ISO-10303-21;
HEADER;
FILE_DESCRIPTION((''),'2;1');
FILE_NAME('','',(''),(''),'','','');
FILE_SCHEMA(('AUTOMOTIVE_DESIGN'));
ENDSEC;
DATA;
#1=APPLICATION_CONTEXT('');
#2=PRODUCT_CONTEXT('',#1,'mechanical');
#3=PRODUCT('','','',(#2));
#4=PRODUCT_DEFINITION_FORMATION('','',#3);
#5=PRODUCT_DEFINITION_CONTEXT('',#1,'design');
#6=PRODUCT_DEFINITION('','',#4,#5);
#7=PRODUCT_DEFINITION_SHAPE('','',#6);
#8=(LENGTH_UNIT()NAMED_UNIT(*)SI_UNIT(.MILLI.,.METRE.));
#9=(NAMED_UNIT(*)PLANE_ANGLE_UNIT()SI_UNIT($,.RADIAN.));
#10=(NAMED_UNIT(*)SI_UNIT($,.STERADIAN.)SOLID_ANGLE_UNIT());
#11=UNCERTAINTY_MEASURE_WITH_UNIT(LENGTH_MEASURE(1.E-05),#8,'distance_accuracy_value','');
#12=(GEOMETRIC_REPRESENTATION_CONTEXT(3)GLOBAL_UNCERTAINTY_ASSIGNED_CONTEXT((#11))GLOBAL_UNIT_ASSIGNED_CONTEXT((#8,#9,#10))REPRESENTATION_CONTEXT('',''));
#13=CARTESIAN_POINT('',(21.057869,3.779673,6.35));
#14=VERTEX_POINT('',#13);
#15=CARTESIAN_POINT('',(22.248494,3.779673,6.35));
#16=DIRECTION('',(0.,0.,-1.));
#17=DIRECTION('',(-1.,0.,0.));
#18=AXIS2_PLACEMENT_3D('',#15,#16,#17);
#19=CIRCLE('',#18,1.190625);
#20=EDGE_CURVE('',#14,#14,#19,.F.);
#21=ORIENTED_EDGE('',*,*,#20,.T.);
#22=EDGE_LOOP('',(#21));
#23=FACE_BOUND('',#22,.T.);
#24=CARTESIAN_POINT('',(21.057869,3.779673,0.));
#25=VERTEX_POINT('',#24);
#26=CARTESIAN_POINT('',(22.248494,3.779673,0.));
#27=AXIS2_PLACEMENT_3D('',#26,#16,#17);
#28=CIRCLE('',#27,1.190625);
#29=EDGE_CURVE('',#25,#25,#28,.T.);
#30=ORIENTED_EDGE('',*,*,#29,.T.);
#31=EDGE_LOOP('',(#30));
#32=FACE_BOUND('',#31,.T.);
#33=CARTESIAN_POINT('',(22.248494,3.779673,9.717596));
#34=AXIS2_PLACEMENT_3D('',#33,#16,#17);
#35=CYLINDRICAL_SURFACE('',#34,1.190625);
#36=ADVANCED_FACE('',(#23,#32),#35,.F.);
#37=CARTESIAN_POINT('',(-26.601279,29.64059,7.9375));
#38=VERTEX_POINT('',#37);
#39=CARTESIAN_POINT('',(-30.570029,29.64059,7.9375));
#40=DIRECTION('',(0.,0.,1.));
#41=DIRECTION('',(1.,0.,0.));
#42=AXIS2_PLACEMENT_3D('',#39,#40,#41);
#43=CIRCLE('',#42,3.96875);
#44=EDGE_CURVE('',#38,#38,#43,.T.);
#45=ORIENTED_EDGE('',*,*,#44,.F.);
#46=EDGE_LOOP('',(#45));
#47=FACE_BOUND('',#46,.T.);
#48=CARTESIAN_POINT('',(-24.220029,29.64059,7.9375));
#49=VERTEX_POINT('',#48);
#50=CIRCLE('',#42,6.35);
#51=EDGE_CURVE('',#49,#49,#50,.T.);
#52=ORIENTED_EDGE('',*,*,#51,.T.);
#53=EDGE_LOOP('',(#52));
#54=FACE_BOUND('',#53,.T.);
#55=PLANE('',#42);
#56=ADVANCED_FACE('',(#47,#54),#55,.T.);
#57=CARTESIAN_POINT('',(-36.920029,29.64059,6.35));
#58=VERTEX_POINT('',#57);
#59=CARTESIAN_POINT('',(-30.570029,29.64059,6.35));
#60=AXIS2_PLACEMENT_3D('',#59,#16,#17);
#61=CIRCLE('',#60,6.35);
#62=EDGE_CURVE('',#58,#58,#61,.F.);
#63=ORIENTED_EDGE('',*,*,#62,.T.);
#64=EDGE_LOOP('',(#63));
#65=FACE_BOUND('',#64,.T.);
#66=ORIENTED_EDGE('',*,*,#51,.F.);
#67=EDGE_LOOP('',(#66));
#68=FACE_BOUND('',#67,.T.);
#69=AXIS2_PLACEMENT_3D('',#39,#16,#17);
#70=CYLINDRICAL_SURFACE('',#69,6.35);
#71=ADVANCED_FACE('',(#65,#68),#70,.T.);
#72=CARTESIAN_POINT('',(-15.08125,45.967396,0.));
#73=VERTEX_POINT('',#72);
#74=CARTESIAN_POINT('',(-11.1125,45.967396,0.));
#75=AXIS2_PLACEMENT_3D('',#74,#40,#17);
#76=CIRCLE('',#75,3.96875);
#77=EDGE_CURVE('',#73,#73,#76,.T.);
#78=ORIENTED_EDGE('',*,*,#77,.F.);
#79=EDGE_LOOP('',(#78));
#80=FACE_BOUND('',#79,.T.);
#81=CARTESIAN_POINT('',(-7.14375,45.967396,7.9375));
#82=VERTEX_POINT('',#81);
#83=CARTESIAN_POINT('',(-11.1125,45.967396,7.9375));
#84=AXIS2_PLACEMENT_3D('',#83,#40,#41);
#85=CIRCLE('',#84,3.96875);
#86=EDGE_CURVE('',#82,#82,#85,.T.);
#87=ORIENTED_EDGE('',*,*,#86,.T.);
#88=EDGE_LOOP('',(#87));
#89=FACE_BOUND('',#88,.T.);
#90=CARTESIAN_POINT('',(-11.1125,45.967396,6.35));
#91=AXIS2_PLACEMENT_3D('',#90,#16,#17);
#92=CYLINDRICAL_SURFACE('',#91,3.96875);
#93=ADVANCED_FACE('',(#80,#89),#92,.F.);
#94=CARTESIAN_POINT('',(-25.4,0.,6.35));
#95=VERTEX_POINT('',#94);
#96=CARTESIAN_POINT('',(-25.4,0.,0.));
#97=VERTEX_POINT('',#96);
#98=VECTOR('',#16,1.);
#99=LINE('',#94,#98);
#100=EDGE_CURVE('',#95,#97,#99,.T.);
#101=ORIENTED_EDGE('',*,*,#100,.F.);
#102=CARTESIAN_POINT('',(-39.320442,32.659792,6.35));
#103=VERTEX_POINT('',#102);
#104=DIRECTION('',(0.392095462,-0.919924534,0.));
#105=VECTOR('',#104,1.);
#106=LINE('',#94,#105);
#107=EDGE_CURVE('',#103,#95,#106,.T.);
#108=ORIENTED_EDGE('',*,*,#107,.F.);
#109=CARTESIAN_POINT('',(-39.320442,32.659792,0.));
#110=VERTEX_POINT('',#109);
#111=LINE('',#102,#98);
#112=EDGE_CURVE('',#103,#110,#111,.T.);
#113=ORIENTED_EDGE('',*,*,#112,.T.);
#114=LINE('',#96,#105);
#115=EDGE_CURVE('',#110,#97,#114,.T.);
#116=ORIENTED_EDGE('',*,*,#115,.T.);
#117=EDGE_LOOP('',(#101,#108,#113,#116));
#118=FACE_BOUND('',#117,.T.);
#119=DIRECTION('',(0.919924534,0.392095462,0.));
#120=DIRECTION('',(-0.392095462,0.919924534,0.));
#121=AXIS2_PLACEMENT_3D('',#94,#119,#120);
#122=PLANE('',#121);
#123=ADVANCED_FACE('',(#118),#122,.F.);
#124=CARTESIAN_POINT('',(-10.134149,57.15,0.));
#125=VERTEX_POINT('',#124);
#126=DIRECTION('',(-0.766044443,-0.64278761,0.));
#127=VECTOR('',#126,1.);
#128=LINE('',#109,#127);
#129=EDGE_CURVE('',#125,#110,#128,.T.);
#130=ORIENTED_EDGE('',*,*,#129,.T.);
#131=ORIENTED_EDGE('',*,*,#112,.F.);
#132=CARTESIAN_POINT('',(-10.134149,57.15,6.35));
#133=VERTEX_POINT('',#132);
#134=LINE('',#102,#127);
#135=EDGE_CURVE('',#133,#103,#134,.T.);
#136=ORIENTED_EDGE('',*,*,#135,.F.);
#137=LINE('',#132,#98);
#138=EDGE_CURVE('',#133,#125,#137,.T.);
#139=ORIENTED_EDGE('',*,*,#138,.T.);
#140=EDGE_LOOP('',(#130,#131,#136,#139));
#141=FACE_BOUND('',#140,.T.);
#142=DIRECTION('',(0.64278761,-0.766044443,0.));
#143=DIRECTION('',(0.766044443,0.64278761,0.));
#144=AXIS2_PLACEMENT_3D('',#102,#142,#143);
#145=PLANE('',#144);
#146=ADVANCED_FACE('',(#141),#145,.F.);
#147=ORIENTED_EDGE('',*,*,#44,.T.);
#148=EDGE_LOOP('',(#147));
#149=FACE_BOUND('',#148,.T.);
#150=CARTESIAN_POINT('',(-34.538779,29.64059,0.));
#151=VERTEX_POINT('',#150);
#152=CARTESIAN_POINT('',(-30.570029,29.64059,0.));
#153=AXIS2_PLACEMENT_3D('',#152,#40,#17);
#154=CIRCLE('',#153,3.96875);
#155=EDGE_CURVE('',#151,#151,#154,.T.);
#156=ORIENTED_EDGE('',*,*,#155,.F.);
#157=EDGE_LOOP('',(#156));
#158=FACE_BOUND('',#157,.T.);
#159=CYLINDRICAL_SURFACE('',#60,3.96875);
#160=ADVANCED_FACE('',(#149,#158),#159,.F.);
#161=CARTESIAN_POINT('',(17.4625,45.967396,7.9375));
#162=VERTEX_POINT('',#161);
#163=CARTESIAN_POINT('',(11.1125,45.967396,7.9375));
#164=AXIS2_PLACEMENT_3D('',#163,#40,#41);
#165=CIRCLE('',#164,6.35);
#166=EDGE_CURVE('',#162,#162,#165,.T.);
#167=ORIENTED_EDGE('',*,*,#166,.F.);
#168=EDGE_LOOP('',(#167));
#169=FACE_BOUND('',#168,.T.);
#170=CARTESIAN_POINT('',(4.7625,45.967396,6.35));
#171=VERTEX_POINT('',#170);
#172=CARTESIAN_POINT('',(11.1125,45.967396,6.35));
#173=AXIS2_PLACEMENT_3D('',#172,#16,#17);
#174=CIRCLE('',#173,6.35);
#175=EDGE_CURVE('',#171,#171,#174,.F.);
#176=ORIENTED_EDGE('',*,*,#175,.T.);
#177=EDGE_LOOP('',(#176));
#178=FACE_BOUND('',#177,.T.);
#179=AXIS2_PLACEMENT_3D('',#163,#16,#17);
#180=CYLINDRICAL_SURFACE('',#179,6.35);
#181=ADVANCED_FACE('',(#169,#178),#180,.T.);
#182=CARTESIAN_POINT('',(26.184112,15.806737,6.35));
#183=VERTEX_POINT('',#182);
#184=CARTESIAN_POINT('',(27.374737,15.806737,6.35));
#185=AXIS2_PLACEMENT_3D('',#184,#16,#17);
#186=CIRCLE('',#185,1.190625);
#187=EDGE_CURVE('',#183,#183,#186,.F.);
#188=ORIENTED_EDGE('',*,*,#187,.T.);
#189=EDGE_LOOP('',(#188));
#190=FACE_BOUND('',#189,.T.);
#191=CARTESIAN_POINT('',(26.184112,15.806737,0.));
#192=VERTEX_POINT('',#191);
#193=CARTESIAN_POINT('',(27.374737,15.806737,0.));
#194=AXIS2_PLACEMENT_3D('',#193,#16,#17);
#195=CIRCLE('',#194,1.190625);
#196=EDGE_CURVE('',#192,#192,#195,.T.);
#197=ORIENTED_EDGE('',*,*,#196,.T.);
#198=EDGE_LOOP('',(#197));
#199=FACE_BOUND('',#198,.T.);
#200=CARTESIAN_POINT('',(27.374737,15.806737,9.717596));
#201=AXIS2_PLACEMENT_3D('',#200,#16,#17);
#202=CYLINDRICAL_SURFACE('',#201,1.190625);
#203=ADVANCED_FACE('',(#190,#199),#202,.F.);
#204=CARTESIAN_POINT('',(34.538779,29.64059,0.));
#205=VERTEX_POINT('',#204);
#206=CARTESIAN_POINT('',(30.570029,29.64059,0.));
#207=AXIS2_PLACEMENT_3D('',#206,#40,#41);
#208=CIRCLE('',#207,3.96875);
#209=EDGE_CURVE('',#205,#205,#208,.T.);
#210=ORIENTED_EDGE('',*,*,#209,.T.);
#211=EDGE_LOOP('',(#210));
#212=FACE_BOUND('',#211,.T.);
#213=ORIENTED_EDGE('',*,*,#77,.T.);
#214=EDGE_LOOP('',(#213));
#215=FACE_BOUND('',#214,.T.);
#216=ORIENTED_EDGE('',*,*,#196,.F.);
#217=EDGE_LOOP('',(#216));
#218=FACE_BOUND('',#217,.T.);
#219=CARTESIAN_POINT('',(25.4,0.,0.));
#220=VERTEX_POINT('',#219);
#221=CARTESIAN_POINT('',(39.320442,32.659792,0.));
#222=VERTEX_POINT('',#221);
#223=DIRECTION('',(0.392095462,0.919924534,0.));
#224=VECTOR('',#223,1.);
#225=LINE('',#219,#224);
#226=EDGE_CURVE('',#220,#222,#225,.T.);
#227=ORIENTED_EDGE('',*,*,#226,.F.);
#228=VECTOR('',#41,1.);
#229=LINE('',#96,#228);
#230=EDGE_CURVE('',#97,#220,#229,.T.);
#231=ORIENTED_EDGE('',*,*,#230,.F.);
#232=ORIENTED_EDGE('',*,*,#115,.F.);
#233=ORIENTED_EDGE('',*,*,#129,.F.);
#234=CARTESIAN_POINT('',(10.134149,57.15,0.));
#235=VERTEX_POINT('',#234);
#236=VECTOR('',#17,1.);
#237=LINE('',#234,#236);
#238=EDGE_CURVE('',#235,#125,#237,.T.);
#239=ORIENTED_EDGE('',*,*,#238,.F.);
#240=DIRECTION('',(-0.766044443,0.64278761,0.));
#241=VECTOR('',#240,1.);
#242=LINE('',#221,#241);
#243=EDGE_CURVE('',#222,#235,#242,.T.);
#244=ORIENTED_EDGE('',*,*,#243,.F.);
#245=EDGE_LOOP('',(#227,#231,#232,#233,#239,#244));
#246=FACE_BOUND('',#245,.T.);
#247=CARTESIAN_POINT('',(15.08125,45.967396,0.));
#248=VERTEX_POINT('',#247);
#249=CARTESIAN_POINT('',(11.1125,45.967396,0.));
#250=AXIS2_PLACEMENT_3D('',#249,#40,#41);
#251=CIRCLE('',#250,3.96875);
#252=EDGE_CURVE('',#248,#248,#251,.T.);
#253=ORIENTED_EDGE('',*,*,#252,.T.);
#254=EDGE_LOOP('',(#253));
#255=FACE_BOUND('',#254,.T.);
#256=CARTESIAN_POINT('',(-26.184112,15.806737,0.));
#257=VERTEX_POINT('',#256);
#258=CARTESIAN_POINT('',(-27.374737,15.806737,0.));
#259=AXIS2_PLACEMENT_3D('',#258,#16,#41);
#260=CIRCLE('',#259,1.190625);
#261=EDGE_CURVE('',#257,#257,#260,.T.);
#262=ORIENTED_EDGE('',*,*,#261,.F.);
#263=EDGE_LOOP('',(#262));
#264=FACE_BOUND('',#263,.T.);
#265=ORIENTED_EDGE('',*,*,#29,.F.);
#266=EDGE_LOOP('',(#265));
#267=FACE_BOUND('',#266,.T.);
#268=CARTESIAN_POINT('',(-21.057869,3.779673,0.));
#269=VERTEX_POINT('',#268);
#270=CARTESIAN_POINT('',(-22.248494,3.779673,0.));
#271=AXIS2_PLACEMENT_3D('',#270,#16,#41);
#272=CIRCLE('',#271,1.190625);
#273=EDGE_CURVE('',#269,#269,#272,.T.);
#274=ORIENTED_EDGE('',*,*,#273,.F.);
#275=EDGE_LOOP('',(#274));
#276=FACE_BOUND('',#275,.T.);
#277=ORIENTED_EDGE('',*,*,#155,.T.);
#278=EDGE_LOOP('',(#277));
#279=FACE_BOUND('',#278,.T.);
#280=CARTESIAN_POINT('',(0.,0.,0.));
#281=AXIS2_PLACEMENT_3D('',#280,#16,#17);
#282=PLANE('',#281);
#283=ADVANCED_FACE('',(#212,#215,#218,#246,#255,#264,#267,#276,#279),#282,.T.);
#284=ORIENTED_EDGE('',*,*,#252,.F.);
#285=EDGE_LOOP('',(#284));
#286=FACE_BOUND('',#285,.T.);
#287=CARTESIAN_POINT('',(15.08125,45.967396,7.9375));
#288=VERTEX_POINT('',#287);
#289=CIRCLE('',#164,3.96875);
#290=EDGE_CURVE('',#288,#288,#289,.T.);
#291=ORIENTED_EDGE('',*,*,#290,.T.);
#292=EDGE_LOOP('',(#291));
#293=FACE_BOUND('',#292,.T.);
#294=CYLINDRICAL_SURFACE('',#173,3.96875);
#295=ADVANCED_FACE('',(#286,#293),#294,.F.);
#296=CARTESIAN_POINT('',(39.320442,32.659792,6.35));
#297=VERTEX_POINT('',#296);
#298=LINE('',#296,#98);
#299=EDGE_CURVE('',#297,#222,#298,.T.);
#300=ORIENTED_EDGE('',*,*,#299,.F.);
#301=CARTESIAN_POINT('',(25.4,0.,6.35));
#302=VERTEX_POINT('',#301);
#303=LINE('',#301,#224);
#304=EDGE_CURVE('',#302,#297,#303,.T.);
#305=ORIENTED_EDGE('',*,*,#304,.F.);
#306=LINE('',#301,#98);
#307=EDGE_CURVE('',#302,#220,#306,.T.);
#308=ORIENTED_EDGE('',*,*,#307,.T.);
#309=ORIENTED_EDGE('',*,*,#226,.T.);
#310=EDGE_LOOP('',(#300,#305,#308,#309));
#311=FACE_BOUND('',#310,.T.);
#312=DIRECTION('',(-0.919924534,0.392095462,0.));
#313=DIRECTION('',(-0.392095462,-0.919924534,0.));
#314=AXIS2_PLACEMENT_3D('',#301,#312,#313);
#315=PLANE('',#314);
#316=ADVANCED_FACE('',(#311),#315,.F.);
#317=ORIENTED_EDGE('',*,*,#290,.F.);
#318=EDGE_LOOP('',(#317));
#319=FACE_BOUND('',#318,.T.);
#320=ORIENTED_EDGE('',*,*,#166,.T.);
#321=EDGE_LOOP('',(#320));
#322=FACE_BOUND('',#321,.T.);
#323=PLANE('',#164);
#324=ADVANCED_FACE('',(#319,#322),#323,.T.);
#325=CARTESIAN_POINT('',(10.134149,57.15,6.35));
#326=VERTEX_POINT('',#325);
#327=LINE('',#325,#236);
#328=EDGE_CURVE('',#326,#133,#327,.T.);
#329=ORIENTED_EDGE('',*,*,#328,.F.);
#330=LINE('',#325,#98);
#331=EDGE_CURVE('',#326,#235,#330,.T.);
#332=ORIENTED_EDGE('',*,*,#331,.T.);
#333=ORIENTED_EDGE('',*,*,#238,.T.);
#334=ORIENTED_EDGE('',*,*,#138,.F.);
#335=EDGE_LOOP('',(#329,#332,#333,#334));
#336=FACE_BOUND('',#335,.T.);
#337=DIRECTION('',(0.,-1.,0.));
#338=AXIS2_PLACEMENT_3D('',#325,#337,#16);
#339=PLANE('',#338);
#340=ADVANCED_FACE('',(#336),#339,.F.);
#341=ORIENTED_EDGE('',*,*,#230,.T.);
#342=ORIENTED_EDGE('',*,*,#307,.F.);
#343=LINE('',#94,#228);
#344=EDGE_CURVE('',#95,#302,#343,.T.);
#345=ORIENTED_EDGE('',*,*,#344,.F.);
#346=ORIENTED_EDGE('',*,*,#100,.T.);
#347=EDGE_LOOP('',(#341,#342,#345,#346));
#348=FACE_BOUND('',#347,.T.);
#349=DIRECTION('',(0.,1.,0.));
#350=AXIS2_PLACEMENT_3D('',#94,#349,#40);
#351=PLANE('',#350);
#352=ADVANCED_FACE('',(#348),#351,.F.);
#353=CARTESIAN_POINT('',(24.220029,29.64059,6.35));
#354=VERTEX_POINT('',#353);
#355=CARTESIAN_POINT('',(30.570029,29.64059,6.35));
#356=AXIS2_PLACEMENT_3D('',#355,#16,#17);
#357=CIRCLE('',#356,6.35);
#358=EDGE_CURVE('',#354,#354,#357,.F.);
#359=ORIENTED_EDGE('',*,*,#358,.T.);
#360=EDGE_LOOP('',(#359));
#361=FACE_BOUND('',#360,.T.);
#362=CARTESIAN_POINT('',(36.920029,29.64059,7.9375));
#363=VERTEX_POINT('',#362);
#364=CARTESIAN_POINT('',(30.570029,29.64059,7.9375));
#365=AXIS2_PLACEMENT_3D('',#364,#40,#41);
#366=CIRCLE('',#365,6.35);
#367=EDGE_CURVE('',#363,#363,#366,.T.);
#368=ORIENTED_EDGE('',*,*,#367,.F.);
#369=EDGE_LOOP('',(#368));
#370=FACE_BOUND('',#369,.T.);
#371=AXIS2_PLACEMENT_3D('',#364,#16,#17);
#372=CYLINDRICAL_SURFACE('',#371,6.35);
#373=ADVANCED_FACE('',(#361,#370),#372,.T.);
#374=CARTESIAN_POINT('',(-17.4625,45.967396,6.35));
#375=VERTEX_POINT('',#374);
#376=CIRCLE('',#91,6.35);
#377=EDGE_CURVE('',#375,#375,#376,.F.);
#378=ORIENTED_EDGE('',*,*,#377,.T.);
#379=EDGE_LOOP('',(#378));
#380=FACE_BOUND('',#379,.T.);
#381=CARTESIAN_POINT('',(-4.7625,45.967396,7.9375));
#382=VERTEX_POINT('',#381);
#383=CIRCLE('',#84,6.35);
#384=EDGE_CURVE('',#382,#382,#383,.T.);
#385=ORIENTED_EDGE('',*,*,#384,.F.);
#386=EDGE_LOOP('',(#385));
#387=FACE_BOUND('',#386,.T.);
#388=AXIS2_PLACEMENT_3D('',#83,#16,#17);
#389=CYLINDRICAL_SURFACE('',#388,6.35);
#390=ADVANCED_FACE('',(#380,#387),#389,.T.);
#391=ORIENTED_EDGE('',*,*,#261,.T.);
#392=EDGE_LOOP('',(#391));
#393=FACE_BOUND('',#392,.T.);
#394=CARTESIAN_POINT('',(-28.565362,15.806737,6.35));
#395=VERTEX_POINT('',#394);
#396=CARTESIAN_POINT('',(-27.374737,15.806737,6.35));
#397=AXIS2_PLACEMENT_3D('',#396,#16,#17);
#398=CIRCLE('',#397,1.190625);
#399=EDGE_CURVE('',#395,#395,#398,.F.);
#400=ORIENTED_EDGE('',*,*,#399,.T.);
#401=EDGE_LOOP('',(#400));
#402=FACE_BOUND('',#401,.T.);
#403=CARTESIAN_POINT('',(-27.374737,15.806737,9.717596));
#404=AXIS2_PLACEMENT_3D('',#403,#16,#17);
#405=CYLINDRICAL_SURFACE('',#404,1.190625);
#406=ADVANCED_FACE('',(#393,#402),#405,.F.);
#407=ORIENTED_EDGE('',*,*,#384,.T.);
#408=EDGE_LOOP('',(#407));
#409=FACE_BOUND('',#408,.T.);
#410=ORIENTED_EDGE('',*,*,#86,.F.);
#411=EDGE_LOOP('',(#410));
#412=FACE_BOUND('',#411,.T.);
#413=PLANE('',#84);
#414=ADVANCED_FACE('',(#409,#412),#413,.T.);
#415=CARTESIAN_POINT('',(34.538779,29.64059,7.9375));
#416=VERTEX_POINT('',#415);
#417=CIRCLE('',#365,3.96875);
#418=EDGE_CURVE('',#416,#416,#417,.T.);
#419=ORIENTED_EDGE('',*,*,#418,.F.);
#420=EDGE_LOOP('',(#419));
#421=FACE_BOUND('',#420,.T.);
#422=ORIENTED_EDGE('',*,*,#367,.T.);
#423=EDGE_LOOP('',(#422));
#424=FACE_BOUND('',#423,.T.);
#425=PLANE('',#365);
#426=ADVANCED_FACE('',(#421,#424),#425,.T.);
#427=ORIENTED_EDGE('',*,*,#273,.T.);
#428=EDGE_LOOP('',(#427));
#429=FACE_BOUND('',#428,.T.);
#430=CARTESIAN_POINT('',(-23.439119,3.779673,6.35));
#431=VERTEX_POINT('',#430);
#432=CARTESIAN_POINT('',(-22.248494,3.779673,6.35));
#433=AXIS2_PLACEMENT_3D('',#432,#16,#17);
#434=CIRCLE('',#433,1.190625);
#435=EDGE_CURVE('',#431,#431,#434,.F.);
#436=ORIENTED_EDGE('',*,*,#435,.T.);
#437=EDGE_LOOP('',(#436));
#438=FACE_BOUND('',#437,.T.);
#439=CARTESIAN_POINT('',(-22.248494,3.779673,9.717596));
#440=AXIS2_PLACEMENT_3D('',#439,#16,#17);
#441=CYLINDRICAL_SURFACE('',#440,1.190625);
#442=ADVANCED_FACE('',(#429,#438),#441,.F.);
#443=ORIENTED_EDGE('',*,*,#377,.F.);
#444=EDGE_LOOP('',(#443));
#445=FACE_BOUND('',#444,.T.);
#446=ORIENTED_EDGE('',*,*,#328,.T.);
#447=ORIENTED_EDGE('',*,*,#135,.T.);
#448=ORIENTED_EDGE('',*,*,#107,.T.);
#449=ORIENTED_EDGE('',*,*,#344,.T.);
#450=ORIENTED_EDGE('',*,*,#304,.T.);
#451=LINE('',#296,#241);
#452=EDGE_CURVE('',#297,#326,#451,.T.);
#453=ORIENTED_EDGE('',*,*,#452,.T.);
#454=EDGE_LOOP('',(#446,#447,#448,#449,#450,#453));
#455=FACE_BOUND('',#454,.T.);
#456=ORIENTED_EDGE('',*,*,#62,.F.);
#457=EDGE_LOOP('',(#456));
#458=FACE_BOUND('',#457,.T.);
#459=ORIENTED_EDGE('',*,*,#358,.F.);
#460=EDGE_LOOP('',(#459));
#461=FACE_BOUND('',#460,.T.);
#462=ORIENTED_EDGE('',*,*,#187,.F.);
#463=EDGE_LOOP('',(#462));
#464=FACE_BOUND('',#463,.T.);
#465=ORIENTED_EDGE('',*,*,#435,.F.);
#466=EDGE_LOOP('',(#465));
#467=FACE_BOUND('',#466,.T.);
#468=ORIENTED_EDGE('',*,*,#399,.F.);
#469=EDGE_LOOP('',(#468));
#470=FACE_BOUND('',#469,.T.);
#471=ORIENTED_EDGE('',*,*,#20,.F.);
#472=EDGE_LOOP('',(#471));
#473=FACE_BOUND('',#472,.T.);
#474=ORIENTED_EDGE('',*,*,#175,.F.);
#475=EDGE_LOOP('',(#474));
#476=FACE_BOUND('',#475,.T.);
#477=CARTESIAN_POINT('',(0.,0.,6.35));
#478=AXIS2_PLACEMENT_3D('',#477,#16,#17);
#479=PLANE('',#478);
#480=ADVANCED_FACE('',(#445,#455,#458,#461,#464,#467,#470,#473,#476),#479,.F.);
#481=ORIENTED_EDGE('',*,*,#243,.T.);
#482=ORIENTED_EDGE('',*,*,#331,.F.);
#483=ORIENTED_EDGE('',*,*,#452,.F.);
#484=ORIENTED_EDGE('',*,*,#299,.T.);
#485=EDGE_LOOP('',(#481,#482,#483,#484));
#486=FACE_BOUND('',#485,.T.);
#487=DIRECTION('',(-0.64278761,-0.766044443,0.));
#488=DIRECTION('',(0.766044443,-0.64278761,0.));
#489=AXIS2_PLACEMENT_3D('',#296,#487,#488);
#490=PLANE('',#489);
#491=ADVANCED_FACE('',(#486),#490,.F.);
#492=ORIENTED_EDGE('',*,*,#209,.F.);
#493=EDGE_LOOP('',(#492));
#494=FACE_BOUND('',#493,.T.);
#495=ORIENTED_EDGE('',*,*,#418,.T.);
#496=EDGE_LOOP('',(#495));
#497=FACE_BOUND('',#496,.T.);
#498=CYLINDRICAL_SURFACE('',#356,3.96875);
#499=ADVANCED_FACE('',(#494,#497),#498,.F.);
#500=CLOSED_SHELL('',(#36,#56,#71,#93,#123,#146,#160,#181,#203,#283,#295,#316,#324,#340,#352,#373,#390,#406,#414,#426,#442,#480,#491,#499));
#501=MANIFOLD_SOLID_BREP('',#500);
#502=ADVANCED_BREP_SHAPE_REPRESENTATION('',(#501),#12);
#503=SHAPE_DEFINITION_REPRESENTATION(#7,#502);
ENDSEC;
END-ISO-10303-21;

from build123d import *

# Parameters (mm, degrees)
SKETCH1_R           = 3.96875
BOSS_EXTRUDE1_DEPTH = 6.35
SKETCH2_R           = 1.190625
CUT_EXTRUDE1_DEPTH  = 6.35
SKETCH3_R           = 6.35
SKETCH3_R_2         = 3.96875
BOSS_EXTRUDE2_DEPTH = 1.5875


with BuildPart() as part:
    # Sketch1 → Boss-Extrude1 (new body)
    with BuildSketch(Plane.XY):
        Polygon((-25.4, 0), (25.4, 0), (39.320442167, 32.659792071), (10.134148885, 57.15), (-10.134148885, 57.15), (-39.320442167, 32.659792071), align=None)
        with Locations((11.1125, 45.967395581)):
            Circle(SKETCH1_R, mode=Mode.SUBTRACT)
        with Locations((-11.1125, 45.967395581)):
            Circle(SKETCH1_R, mode=Mode.SUBTRACT)
        with Locations((30.570028855, 29.640590295)):
            Circle(SKETCH1_R, mode=Mode.SUBTRACT)
        with Locations((-30.570028855, 29.640590295)):
            Circle(SKETCH1_R, mode=Mode.SUBTRACT)
    extrude(amount=BOSS_EXTRUDE1_DEPTH)

    # Sketch2 → Cut-Extrude1 (cut)
    with BuildSketch(Plane(origin=(0, 0, 0), x_dir=(-1, 0, 0), z_dir=(0, 0, -1))):
        with Locations((-27.374737278, 15.806737027)):
            Circle(SKETCH2_R)
        with Locations((-22.248493734, 3.779673069)):
            Circle(SKETCH2_R)
        with Locations((22.248493734, 3.779673069)):
            Circle(SKETCH2_R)
        with Locations((27.374737278, 15.806737027)):
            Circle(SKETCH2_R)
    extrude(amount=-CUT_EXTRUDE1_DEPTH, mode=Mode.SUBTRACT)

    # Sketch3 → Boss-Extrude2 (add)
    with BuildSketch(Plane.XY.offset(6.35)):
        with Locations((-11.1125, 45.967395581)):
            Circle(SKETCH3_R)
        with Locations((-11.1125, 45.967395581)):
            Circle(SKETCH3_R_2, mode=Mode.SUBTRACT)
        with Locations((11.1125, 45.967395581)):
            Circle(SKETCH3_R)
        with Locations((11.1125, 45.967395581)):
            Circle(SKETCH3_R_2, mode=Mode.SUBTRACT)
        with Locations((-30.570028855, 29.640590295)):
            Circle(SKETCH3_R)
        with Locations((-30.570028855, 29.640590295)):
            Circle(SKETCH3_R_2, mode=Mode.SUBTRACT)
        with Locations((30.570028855, 29.640590295)):
            Circle(SKETCH3_R)
        with Locations((30.570028855, 29.640590295)):
            Circle(SKETCH3_R_2, mode=Mode.SUBTRACT)
    extrude(amount=BOSS_EXTRUDE2_DEPTH)


solid = part.part
